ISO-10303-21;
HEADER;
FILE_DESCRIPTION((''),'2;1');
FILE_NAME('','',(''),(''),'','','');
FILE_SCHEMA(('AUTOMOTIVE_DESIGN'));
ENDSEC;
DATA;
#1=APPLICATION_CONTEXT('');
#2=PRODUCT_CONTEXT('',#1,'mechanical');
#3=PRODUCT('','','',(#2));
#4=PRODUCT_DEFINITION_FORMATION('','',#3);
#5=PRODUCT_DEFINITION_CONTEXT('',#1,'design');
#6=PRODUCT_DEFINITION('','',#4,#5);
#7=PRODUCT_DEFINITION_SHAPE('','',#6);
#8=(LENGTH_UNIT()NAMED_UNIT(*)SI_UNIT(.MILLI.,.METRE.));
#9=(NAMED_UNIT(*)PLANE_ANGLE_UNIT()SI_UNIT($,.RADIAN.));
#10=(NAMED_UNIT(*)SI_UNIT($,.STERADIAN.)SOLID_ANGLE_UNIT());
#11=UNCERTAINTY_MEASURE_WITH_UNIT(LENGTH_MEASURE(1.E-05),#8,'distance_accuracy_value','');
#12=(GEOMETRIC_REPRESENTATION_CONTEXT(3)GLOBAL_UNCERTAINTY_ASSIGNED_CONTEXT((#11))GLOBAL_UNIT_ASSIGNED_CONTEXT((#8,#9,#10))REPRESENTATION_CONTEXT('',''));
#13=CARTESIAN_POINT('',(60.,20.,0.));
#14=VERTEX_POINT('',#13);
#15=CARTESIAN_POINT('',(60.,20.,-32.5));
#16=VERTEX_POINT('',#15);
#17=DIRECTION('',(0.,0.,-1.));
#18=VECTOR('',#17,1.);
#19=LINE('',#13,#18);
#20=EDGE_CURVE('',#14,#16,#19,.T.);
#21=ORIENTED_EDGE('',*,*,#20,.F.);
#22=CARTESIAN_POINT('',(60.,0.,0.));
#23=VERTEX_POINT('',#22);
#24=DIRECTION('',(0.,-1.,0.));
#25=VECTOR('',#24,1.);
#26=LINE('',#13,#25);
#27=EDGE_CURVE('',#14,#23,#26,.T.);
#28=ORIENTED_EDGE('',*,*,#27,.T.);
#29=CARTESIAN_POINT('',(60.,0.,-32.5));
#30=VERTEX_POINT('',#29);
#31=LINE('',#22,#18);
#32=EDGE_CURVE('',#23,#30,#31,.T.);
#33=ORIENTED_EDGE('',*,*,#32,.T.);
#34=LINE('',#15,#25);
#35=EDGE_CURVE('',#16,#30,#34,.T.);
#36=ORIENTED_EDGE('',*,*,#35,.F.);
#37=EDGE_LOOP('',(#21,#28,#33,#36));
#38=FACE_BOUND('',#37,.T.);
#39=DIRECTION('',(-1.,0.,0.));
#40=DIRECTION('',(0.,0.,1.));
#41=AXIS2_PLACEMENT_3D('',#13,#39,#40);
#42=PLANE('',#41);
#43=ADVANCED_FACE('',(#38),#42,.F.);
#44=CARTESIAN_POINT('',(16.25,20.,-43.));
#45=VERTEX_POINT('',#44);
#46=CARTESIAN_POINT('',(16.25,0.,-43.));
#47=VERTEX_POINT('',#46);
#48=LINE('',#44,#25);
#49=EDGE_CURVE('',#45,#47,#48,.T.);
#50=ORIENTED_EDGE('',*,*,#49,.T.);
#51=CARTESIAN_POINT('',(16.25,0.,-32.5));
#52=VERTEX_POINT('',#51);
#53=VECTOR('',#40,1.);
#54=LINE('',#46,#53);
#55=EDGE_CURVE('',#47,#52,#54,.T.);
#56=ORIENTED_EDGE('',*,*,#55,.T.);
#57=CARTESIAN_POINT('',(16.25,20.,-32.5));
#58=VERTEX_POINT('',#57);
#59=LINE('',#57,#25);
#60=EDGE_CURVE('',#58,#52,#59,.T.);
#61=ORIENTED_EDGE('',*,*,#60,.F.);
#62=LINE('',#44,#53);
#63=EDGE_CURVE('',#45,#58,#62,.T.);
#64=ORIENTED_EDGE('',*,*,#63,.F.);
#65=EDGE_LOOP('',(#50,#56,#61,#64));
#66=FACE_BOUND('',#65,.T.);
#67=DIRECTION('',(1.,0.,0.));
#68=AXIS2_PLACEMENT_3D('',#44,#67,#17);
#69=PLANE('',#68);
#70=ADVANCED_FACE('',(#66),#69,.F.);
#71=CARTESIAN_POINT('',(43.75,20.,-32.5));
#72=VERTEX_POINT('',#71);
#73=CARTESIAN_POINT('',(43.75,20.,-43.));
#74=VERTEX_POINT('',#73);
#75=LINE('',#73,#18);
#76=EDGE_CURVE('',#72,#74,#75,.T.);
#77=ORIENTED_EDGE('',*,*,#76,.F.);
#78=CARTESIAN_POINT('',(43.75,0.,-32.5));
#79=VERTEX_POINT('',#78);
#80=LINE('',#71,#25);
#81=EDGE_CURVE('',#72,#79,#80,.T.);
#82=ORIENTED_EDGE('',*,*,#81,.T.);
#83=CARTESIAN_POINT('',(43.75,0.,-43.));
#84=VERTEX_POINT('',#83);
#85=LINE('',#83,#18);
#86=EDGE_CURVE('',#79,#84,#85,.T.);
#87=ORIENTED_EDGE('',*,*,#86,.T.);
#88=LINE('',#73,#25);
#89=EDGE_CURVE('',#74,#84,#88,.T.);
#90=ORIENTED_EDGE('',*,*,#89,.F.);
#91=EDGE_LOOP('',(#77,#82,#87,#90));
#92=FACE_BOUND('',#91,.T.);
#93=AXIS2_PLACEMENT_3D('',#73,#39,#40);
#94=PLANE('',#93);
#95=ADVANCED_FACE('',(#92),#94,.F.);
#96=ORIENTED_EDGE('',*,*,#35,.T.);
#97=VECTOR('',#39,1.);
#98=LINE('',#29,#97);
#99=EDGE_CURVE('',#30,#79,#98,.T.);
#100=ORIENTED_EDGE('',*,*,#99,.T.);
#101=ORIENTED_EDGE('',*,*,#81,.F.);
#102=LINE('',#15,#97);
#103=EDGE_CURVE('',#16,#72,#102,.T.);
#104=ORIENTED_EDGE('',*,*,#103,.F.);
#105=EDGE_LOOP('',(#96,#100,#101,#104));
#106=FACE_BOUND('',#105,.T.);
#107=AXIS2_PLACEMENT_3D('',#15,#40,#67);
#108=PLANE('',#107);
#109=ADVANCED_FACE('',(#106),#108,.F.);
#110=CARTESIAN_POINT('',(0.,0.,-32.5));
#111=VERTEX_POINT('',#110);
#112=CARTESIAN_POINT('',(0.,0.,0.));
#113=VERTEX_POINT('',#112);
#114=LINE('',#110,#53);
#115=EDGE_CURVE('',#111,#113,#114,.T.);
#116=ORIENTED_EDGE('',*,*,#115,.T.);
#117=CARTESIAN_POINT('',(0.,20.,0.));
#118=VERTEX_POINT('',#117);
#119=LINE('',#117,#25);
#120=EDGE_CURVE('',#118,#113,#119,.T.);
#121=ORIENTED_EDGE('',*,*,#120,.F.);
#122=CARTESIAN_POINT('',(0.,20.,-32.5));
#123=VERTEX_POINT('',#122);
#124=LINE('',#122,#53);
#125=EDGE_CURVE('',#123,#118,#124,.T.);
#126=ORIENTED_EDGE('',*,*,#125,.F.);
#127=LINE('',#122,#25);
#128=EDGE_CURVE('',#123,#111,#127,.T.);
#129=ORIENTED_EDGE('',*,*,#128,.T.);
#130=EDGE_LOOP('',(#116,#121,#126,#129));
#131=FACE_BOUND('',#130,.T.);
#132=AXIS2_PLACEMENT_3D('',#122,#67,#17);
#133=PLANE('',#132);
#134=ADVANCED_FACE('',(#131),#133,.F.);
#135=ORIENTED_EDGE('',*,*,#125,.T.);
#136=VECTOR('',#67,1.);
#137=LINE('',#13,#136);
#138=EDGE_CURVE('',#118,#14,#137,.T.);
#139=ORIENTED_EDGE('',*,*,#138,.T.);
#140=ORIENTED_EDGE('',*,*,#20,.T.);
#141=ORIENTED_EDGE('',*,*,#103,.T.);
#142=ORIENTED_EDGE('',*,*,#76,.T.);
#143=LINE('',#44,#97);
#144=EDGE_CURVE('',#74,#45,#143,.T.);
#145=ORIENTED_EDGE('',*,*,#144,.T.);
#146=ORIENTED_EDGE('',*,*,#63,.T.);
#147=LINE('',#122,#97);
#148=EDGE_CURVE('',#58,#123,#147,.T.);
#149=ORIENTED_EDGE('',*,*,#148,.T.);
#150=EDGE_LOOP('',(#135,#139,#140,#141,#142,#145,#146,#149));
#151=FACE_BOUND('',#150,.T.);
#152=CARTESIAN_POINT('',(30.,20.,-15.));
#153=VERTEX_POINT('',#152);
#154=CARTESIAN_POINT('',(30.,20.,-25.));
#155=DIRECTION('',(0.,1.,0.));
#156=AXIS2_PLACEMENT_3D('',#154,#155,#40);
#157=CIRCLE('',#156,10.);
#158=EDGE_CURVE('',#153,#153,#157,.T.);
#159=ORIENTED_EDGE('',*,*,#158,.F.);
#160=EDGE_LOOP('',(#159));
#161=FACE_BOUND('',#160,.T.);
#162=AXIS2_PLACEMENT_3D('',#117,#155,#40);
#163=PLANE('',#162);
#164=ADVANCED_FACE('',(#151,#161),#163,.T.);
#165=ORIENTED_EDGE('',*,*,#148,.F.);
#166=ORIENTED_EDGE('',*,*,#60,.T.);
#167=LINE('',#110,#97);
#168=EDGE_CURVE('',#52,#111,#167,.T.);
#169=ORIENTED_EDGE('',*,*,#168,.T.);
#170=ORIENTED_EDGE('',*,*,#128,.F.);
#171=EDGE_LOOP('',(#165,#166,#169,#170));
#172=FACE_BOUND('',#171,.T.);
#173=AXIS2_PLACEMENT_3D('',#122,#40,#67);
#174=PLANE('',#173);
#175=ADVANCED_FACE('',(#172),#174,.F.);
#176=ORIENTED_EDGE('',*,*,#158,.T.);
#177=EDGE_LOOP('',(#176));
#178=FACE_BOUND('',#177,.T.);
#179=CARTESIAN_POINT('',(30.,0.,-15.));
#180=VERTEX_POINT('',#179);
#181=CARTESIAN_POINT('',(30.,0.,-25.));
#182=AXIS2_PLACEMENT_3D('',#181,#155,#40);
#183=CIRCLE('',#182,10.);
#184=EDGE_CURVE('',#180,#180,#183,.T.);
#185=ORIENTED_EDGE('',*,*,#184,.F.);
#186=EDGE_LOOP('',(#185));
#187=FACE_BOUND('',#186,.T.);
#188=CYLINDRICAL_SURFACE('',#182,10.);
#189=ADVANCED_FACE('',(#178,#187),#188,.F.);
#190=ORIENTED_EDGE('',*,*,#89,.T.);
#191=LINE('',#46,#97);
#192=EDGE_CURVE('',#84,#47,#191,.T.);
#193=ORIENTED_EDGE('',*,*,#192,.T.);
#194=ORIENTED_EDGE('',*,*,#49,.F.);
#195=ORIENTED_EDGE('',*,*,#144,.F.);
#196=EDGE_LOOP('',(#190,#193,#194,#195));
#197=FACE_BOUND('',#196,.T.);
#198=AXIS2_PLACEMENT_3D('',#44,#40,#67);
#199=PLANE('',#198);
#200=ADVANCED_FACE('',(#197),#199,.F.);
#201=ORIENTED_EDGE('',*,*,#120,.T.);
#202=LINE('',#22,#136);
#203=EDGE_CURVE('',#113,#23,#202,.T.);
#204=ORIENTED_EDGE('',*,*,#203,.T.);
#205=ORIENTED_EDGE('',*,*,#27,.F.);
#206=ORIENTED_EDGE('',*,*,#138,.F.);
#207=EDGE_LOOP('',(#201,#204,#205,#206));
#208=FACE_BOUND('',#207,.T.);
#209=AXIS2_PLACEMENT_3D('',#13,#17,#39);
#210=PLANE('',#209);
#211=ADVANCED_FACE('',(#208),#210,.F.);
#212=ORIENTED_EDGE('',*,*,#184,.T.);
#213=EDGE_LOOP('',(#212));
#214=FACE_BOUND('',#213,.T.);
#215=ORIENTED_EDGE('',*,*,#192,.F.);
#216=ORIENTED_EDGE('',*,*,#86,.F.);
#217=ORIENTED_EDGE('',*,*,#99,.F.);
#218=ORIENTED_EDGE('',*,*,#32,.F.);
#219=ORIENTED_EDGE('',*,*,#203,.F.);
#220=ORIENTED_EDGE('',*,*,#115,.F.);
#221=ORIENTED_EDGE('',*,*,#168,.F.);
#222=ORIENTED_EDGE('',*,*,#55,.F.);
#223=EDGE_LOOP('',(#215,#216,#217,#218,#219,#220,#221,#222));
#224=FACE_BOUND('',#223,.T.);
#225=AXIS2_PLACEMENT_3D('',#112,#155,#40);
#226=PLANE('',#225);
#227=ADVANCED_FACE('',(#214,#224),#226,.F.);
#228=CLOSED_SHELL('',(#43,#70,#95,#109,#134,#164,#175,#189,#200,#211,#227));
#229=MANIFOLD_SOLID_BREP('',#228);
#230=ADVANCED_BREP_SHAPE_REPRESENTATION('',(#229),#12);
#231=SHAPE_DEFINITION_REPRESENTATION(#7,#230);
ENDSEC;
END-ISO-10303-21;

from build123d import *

# Parameters (mm, degrees)
BOSS_EXTRUDE1_DEPTH = 20
SKETCH2_R           = 10
CUT_EXTRUDE1_DEPTH  = 77.47875522


with BuildPart() as part:
    # Sketch1 → Boss-Extrude1 (new body)
    with BuildSketch(Plane(origin=(0, 0, 0), x_dir=(1, 0, 0), z_dir=(0, 1, 0))):
        Polygon((0, 32.5), (0, 0), (60, 0), (60, 32.5), (43.75, 32.5), (43.75, 43), (16.25, 43), (16.25, 32.5), align=None)
    extrude(amount=BOSS_EXTRUDE1_DEPTH)

    # Sketch2 → Cut-Extrude1 (cut, through all)
    with BuildSketch(Plane(origin=(0, 20, 0), x_dir=(1, 0, 0), z_dir=(0, 1, 0))):
        with Locations(Location((30, 25, 0), (0, 0, 270))):
            Circle(SKETCH2_R)
    extrude(amount=-CUT_EXTRUDE1_DEPTH, mode=Mode.SUBTRACT)


solid = part.part
